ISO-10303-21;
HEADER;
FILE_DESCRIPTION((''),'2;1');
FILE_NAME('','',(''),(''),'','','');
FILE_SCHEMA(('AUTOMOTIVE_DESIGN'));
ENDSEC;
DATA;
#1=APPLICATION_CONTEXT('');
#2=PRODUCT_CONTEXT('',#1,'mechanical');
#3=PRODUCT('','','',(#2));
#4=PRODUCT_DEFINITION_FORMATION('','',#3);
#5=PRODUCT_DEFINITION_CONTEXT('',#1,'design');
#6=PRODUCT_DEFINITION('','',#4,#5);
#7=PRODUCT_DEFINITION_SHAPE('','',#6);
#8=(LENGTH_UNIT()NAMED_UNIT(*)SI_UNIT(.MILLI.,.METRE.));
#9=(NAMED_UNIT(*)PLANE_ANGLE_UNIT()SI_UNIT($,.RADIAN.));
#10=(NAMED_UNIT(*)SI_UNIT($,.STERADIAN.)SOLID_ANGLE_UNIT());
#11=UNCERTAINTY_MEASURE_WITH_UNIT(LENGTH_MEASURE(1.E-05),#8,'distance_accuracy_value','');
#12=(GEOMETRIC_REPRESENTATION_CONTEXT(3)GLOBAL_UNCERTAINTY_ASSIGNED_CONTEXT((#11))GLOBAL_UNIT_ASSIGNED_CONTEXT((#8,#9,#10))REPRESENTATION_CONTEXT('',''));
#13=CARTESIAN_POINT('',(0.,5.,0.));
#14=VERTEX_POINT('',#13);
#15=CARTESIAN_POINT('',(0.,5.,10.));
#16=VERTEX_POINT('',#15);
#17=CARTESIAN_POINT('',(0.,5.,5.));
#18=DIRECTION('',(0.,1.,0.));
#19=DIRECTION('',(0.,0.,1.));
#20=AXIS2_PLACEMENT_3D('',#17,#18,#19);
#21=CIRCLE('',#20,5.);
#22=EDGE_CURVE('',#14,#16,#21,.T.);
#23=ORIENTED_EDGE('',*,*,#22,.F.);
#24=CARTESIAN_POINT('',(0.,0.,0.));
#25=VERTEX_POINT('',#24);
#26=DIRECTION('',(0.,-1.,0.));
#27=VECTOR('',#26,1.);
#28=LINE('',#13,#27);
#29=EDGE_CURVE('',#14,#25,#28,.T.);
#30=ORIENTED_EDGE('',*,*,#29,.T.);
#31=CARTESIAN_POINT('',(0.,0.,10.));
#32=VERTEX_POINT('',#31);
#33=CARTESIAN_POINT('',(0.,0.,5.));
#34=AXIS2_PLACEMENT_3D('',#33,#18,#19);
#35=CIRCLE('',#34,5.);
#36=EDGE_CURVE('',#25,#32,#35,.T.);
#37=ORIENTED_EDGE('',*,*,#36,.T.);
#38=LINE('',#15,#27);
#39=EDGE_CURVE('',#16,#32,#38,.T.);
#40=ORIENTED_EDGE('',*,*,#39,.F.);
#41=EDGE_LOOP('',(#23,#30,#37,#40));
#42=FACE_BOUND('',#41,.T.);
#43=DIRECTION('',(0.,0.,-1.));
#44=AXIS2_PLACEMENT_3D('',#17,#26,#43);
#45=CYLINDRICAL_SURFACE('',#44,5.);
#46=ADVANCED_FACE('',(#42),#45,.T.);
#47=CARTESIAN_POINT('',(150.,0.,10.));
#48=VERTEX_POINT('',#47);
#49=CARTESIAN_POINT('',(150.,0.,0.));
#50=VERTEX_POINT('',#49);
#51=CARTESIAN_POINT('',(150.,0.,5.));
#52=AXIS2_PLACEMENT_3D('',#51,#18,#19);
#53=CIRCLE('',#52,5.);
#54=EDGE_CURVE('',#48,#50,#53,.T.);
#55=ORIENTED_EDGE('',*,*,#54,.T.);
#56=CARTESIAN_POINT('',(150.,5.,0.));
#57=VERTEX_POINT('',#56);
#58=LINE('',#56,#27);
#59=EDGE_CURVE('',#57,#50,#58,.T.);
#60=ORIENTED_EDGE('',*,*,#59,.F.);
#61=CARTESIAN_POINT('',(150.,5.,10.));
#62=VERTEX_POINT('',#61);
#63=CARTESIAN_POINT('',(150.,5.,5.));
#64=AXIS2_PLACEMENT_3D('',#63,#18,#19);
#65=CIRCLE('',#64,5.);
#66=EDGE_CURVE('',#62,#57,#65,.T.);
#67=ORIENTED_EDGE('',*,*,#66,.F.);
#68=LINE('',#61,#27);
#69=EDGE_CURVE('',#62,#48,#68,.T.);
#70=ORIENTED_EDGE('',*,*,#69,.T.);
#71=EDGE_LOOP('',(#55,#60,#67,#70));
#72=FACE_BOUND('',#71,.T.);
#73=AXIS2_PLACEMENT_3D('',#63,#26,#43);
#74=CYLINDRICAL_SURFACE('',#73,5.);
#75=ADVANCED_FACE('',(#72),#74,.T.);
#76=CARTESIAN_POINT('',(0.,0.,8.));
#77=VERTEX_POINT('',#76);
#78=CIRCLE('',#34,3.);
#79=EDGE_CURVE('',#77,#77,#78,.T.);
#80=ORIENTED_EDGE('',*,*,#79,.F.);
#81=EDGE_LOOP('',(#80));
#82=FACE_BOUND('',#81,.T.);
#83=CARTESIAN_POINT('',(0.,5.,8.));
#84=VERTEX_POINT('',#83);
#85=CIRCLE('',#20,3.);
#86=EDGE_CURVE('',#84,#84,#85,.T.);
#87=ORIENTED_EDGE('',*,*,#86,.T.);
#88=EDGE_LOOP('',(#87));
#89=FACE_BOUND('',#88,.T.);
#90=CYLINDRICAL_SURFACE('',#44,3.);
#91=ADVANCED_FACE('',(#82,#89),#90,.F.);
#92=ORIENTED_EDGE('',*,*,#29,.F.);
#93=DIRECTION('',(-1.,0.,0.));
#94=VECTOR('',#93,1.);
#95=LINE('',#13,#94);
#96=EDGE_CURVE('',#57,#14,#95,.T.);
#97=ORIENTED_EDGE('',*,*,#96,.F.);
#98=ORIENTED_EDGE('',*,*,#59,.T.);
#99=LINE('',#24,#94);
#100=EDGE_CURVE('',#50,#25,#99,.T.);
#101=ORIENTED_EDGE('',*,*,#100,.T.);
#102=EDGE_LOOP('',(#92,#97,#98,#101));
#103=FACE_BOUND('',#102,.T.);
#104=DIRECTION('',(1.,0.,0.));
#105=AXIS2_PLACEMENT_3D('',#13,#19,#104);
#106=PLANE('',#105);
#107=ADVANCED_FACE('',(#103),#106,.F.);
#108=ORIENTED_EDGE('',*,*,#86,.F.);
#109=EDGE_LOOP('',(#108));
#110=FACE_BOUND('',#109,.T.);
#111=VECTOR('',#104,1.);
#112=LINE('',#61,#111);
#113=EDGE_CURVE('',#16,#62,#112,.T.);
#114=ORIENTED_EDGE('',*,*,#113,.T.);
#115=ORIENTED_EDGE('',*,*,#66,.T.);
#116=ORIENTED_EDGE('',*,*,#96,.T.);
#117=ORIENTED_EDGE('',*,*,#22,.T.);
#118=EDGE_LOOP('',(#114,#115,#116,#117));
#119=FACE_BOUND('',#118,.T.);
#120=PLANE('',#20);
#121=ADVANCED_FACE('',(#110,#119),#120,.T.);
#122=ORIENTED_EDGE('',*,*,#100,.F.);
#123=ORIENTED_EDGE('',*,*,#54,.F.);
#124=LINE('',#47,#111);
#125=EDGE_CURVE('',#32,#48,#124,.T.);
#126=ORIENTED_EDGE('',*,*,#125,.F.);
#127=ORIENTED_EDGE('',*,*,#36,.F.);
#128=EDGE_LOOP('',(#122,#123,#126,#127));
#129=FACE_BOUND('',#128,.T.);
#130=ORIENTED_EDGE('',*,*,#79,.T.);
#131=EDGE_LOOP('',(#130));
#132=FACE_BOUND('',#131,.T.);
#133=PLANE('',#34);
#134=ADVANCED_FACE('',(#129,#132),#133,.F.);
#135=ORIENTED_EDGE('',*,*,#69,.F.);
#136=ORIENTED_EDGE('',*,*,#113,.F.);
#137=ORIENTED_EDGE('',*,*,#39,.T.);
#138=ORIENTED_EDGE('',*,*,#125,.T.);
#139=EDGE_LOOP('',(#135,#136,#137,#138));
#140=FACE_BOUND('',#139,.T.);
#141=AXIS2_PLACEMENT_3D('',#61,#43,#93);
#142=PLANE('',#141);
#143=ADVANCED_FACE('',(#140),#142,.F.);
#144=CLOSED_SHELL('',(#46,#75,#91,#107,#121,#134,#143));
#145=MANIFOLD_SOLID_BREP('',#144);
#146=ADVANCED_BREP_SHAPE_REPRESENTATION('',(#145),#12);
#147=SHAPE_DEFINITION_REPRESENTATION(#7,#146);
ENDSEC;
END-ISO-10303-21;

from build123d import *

# Parameters (mm, degrees)
SKETCH_1_R      = 3
EXTRUDE_1_DEPTH = 5


with BuildPart() as part:
    # 草图1 → 凸台-拉伸1 (new body)
    with BuildSketch(Plane(origin=(0, 0, 0), x_dir=(1, 0, 0), z_dir=(0, 1, 0))):
        with BuildLine():
            Line((0, 0), (150, 0))
            ThreePointArc((150, 0), (155, -5), (150, -10))
            Line((150, -10), (0, -10))
            ThreePointArc((0, -10), (-5, -5), (0, 0))
        make_face()
        with Locations(Location((0, -5, 0), (0, 0, 270))):
            Circle(SKETCH_1_R, mode=Mode.SUBTRACT)
    extrude(amount=EXTRUDE_1_DEPTH)


solid = part.part
